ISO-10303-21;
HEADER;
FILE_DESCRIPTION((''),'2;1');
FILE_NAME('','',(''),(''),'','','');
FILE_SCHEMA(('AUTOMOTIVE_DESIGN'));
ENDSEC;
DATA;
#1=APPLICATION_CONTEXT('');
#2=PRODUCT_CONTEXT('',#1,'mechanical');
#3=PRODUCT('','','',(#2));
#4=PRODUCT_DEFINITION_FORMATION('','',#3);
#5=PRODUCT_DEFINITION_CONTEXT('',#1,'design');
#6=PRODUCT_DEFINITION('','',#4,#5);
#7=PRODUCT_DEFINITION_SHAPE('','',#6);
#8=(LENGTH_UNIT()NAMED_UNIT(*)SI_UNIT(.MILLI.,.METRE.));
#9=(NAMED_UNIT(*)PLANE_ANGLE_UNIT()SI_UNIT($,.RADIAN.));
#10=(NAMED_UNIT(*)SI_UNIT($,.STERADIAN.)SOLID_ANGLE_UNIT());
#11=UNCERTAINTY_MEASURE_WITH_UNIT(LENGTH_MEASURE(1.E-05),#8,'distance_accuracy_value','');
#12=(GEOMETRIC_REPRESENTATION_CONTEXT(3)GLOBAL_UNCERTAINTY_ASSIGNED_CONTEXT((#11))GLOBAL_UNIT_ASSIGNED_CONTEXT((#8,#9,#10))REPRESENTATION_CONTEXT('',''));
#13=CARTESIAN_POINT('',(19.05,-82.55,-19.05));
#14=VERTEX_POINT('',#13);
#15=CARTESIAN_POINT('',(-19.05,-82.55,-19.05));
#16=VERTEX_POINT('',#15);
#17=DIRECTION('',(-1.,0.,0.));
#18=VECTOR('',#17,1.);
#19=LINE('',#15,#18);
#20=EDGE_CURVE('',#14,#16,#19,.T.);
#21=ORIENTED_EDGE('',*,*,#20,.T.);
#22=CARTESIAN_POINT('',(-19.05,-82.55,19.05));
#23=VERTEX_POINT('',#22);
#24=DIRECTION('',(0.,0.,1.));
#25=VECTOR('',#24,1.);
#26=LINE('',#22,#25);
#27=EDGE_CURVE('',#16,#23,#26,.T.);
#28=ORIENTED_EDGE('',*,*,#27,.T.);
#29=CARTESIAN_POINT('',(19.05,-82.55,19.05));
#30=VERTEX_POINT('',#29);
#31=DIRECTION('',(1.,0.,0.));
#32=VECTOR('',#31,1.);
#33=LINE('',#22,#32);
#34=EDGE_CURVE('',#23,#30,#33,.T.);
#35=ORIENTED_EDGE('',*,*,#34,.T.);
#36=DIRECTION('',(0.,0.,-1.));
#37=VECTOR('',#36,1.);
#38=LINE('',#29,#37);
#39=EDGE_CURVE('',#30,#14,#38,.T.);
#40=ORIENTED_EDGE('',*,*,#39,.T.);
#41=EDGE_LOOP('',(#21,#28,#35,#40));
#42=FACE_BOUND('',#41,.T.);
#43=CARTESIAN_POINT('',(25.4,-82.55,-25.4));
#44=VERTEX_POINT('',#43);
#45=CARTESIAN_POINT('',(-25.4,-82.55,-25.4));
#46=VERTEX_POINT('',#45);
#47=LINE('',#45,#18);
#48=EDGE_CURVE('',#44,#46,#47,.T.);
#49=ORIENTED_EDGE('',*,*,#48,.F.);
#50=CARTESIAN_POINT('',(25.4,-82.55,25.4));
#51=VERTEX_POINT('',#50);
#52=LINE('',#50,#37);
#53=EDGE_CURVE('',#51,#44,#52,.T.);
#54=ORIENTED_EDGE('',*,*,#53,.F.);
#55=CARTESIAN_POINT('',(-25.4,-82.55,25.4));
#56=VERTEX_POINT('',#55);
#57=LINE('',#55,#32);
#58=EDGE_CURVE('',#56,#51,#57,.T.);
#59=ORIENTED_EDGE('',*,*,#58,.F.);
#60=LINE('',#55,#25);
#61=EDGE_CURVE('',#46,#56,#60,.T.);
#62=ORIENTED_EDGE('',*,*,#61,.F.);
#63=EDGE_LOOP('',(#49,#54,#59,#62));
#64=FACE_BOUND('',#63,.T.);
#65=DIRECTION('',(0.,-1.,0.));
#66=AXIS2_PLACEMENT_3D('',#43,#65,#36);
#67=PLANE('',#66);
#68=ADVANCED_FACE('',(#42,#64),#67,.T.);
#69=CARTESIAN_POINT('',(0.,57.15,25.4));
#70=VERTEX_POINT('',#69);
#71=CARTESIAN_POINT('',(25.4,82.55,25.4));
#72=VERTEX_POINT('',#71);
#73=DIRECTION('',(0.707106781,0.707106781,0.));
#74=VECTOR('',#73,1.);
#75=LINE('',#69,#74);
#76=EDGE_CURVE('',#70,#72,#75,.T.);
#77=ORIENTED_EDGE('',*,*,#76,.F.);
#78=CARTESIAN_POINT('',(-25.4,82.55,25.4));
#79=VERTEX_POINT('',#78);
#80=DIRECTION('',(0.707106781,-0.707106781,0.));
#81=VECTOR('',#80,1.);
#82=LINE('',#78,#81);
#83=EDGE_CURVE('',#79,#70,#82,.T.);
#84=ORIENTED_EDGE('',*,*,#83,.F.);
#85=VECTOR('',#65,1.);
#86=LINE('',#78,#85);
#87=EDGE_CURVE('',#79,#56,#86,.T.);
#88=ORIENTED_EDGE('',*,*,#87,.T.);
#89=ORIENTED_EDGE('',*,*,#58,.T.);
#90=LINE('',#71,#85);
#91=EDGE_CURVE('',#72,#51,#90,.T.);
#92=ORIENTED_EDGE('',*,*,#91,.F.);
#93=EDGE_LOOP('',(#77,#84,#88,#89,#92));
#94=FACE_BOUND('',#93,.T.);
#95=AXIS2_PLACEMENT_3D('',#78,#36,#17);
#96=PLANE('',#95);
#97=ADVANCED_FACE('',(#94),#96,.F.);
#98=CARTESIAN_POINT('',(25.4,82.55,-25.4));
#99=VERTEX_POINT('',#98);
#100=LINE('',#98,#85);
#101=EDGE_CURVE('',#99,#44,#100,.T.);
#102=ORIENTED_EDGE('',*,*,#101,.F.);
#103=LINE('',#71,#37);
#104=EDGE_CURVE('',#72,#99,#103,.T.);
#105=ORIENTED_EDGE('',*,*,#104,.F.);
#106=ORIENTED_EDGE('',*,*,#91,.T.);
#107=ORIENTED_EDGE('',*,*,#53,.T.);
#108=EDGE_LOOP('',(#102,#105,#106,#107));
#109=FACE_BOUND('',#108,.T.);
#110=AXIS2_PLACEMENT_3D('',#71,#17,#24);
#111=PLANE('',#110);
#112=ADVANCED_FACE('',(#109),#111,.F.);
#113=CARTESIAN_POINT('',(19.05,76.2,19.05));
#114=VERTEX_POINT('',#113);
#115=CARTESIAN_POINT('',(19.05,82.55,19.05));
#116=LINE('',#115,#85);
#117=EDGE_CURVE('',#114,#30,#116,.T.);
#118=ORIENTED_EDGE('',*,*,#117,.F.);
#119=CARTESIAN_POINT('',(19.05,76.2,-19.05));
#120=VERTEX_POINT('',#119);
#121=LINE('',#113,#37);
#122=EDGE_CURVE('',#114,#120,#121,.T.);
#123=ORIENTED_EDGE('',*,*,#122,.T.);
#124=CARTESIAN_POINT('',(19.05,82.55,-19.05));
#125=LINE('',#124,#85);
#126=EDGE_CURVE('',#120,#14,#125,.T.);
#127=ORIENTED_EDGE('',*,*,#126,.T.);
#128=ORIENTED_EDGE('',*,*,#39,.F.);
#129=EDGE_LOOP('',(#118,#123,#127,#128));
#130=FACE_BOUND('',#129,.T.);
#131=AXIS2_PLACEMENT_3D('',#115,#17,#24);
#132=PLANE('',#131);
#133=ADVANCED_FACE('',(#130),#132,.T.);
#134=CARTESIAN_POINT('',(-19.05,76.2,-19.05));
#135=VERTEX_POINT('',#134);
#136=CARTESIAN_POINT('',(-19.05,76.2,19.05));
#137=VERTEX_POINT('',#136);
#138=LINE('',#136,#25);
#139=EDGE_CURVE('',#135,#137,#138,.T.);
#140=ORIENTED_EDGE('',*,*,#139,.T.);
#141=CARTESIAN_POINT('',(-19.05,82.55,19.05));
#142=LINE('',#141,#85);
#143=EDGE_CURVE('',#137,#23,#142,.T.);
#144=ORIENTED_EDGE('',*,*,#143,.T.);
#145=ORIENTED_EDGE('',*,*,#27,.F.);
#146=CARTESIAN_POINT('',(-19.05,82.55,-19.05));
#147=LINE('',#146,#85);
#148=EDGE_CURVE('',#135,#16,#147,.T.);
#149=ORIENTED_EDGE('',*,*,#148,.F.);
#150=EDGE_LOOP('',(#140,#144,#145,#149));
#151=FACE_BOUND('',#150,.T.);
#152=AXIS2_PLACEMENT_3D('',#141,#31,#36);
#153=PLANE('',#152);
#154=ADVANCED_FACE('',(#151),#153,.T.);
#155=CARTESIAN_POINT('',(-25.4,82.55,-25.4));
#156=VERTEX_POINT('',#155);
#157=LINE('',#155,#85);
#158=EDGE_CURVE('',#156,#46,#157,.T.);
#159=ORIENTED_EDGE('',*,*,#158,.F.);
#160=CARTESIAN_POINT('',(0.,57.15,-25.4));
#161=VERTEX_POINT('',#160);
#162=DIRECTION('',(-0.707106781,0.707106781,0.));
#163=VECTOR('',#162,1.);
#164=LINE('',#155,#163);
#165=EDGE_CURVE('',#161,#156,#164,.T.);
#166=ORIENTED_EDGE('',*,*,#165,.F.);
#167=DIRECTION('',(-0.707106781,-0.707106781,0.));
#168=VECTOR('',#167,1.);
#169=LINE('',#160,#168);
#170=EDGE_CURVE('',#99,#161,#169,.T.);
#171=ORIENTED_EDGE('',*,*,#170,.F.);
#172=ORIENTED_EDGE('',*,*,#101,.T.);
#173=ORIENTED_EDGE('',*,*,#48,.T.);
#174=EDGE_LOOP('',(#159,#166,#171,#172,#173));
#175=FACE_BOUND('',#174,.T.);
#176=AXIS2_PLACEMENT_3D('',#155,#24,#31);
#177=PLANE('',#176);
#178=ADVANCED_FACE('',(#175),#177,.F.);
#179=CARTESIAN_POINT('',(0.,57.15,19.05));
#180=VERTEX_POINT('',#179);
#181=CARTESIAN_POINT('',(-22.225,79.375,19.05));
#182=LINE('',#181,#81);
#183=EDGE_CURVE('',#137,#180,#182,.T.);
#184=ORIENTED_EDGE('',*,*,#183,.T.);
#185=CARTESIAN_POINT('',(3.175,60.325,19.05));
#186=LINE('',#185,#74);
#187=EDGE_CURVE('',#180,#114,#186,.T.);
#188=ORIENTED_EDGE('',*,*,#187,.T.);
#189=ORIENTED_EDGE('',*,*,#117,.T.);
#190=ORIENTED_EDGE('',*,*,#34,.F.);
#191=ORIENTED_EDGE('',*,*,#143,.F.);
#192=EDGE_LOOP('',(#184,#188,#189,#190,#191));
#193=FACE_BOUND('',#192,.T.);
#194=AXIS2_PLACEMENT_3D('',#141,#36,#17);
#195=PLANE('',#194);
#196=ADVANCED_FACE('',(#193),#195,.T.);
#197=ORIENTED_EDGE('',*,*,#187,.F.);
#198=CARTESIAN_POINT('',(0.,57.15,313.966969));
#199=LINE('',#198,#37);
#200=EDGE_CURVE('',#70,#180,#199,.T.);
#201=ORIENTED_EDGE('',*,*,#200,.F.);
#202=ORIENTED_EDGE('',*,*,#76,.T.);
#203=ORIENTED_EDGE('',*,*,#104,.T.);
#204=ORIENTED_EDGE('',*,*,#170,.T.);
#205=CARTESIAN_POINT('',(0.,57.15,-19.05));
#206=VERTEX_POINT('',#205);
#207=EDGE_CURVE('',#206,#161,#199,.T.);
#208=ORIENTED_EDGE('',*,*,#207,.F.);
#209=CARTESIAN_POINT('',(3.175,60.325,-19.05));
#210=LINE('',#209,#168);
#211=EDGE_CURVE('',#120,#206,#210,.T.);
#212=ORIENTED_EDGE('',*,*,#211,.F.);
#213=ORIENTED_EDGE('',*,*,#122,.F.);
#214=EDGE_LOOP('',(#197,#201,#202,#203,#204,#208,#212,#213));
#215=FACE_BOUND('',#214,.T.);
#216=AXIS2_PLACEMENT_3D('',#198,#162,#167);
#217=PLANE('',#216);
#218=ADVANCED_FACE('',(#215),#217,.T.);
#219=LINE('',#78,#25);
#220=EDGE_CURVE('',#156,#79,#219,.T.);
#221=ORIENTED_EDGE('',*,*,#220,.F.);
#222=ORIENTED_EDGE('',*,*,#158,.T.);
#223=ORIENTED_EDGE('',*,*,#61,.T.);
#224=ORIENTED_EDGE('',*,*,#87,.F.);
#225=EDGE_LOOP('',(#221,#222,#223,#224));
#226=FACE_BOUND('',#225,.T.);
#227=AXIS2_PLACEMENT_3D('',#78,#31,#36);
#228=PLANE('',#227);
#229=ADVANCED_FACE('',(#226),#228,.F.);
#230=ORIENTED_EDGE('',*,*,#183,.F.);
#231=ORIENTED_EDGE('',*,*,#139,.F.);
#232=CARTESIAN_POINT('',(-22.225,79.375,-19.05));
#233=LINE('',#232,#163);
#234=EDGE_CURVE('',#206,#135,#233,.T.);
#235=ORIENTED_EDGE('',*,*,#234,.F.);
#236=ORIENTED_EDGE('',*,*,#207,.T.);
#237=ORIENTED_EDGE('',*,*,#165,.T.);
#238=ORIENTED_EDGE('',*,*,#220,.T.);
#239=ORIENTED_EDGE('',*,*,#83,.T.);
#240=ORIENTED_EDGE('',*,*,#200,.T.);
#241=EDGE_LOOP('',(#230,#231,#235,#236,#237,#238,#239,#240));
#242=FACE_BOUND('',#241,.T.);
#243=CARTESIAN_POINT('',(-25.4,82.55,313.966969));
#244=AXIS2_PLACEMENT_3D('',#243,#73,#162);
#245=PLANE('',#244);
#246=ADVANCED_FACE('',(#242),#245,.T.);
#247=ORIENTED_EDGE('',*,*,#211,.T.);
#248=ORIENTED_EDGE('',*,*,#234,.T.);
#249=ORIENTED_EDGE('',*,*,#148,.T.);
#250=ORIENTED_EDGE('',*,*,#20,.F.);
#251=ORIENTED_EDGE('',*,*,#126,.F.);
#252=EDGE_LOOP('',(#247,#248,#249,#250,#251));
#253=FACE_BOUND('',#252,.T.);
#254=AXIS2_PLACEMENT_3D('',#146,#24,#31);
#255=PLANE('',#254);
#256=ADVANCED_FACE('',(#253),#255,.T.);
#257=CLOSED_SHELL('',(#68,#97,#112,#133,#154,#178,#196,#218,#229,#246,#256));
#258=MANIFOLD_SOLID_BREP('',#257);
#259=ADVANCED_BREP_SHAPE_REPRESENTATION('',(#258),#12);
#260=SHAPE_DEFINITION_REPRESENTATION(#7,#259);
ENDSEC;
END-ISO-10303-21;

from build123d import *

# Parameters (mm, degrees)
SKETCH1_W               = 50.8
SKETCH1_H               = 50.8
SKETCH1_W_2             = 38.1
SKETCH1_H_2             = 38.1
BOSS_EXTRUDE1_DEPTH     = 82.55
CUT_EXTRUDE1_DEPTH      = 1
CUT_EXTRUDE1_DEPTH_BACK = 51.8


with BuildPart() as part:
    # Sketch1 → Boss-Extrude1 (new body, symmetric)
    with BuildSketch(Plane(origin=(0, 0, 0), x_dir=(1, 0, 0), z_dir=(0, 1, 0))):
        Rectangle(SKETCH1_W, SKETCH1_H)
        Rectangle(SKETCH1_W_2, SKETCH1_H_2, mode=Mode.SUBTRACT)
    extrude(amount=BOSS_EXTRUDE1_DEPTH, both=True)

    # Sketch3 → Cut-Extrude1 (cut, two sides)
    with BuildSketch(Plane.XY.offset(25.4)) as cut_extrude1_sk:
        Polygon((-276.760445395, 333.910445395), (-25.4, 82.55), (0, 57.15), (25.4, 82.55), (276.760445395, 333.910445395), (276.760445395, 1044.865147239), (-276.760445395, 1044.865147239), align=None)
    extrude(amount=CUT_EXTRUDE1_DEPTH, mode=Mode.SUBTRACT)
    extrude(cut_extrude1_sk.sketch, amount=-CUT_EXTRUDE1_DEPTH_BACK, mode=Mode.SUBTRACT)


solid = part.part
